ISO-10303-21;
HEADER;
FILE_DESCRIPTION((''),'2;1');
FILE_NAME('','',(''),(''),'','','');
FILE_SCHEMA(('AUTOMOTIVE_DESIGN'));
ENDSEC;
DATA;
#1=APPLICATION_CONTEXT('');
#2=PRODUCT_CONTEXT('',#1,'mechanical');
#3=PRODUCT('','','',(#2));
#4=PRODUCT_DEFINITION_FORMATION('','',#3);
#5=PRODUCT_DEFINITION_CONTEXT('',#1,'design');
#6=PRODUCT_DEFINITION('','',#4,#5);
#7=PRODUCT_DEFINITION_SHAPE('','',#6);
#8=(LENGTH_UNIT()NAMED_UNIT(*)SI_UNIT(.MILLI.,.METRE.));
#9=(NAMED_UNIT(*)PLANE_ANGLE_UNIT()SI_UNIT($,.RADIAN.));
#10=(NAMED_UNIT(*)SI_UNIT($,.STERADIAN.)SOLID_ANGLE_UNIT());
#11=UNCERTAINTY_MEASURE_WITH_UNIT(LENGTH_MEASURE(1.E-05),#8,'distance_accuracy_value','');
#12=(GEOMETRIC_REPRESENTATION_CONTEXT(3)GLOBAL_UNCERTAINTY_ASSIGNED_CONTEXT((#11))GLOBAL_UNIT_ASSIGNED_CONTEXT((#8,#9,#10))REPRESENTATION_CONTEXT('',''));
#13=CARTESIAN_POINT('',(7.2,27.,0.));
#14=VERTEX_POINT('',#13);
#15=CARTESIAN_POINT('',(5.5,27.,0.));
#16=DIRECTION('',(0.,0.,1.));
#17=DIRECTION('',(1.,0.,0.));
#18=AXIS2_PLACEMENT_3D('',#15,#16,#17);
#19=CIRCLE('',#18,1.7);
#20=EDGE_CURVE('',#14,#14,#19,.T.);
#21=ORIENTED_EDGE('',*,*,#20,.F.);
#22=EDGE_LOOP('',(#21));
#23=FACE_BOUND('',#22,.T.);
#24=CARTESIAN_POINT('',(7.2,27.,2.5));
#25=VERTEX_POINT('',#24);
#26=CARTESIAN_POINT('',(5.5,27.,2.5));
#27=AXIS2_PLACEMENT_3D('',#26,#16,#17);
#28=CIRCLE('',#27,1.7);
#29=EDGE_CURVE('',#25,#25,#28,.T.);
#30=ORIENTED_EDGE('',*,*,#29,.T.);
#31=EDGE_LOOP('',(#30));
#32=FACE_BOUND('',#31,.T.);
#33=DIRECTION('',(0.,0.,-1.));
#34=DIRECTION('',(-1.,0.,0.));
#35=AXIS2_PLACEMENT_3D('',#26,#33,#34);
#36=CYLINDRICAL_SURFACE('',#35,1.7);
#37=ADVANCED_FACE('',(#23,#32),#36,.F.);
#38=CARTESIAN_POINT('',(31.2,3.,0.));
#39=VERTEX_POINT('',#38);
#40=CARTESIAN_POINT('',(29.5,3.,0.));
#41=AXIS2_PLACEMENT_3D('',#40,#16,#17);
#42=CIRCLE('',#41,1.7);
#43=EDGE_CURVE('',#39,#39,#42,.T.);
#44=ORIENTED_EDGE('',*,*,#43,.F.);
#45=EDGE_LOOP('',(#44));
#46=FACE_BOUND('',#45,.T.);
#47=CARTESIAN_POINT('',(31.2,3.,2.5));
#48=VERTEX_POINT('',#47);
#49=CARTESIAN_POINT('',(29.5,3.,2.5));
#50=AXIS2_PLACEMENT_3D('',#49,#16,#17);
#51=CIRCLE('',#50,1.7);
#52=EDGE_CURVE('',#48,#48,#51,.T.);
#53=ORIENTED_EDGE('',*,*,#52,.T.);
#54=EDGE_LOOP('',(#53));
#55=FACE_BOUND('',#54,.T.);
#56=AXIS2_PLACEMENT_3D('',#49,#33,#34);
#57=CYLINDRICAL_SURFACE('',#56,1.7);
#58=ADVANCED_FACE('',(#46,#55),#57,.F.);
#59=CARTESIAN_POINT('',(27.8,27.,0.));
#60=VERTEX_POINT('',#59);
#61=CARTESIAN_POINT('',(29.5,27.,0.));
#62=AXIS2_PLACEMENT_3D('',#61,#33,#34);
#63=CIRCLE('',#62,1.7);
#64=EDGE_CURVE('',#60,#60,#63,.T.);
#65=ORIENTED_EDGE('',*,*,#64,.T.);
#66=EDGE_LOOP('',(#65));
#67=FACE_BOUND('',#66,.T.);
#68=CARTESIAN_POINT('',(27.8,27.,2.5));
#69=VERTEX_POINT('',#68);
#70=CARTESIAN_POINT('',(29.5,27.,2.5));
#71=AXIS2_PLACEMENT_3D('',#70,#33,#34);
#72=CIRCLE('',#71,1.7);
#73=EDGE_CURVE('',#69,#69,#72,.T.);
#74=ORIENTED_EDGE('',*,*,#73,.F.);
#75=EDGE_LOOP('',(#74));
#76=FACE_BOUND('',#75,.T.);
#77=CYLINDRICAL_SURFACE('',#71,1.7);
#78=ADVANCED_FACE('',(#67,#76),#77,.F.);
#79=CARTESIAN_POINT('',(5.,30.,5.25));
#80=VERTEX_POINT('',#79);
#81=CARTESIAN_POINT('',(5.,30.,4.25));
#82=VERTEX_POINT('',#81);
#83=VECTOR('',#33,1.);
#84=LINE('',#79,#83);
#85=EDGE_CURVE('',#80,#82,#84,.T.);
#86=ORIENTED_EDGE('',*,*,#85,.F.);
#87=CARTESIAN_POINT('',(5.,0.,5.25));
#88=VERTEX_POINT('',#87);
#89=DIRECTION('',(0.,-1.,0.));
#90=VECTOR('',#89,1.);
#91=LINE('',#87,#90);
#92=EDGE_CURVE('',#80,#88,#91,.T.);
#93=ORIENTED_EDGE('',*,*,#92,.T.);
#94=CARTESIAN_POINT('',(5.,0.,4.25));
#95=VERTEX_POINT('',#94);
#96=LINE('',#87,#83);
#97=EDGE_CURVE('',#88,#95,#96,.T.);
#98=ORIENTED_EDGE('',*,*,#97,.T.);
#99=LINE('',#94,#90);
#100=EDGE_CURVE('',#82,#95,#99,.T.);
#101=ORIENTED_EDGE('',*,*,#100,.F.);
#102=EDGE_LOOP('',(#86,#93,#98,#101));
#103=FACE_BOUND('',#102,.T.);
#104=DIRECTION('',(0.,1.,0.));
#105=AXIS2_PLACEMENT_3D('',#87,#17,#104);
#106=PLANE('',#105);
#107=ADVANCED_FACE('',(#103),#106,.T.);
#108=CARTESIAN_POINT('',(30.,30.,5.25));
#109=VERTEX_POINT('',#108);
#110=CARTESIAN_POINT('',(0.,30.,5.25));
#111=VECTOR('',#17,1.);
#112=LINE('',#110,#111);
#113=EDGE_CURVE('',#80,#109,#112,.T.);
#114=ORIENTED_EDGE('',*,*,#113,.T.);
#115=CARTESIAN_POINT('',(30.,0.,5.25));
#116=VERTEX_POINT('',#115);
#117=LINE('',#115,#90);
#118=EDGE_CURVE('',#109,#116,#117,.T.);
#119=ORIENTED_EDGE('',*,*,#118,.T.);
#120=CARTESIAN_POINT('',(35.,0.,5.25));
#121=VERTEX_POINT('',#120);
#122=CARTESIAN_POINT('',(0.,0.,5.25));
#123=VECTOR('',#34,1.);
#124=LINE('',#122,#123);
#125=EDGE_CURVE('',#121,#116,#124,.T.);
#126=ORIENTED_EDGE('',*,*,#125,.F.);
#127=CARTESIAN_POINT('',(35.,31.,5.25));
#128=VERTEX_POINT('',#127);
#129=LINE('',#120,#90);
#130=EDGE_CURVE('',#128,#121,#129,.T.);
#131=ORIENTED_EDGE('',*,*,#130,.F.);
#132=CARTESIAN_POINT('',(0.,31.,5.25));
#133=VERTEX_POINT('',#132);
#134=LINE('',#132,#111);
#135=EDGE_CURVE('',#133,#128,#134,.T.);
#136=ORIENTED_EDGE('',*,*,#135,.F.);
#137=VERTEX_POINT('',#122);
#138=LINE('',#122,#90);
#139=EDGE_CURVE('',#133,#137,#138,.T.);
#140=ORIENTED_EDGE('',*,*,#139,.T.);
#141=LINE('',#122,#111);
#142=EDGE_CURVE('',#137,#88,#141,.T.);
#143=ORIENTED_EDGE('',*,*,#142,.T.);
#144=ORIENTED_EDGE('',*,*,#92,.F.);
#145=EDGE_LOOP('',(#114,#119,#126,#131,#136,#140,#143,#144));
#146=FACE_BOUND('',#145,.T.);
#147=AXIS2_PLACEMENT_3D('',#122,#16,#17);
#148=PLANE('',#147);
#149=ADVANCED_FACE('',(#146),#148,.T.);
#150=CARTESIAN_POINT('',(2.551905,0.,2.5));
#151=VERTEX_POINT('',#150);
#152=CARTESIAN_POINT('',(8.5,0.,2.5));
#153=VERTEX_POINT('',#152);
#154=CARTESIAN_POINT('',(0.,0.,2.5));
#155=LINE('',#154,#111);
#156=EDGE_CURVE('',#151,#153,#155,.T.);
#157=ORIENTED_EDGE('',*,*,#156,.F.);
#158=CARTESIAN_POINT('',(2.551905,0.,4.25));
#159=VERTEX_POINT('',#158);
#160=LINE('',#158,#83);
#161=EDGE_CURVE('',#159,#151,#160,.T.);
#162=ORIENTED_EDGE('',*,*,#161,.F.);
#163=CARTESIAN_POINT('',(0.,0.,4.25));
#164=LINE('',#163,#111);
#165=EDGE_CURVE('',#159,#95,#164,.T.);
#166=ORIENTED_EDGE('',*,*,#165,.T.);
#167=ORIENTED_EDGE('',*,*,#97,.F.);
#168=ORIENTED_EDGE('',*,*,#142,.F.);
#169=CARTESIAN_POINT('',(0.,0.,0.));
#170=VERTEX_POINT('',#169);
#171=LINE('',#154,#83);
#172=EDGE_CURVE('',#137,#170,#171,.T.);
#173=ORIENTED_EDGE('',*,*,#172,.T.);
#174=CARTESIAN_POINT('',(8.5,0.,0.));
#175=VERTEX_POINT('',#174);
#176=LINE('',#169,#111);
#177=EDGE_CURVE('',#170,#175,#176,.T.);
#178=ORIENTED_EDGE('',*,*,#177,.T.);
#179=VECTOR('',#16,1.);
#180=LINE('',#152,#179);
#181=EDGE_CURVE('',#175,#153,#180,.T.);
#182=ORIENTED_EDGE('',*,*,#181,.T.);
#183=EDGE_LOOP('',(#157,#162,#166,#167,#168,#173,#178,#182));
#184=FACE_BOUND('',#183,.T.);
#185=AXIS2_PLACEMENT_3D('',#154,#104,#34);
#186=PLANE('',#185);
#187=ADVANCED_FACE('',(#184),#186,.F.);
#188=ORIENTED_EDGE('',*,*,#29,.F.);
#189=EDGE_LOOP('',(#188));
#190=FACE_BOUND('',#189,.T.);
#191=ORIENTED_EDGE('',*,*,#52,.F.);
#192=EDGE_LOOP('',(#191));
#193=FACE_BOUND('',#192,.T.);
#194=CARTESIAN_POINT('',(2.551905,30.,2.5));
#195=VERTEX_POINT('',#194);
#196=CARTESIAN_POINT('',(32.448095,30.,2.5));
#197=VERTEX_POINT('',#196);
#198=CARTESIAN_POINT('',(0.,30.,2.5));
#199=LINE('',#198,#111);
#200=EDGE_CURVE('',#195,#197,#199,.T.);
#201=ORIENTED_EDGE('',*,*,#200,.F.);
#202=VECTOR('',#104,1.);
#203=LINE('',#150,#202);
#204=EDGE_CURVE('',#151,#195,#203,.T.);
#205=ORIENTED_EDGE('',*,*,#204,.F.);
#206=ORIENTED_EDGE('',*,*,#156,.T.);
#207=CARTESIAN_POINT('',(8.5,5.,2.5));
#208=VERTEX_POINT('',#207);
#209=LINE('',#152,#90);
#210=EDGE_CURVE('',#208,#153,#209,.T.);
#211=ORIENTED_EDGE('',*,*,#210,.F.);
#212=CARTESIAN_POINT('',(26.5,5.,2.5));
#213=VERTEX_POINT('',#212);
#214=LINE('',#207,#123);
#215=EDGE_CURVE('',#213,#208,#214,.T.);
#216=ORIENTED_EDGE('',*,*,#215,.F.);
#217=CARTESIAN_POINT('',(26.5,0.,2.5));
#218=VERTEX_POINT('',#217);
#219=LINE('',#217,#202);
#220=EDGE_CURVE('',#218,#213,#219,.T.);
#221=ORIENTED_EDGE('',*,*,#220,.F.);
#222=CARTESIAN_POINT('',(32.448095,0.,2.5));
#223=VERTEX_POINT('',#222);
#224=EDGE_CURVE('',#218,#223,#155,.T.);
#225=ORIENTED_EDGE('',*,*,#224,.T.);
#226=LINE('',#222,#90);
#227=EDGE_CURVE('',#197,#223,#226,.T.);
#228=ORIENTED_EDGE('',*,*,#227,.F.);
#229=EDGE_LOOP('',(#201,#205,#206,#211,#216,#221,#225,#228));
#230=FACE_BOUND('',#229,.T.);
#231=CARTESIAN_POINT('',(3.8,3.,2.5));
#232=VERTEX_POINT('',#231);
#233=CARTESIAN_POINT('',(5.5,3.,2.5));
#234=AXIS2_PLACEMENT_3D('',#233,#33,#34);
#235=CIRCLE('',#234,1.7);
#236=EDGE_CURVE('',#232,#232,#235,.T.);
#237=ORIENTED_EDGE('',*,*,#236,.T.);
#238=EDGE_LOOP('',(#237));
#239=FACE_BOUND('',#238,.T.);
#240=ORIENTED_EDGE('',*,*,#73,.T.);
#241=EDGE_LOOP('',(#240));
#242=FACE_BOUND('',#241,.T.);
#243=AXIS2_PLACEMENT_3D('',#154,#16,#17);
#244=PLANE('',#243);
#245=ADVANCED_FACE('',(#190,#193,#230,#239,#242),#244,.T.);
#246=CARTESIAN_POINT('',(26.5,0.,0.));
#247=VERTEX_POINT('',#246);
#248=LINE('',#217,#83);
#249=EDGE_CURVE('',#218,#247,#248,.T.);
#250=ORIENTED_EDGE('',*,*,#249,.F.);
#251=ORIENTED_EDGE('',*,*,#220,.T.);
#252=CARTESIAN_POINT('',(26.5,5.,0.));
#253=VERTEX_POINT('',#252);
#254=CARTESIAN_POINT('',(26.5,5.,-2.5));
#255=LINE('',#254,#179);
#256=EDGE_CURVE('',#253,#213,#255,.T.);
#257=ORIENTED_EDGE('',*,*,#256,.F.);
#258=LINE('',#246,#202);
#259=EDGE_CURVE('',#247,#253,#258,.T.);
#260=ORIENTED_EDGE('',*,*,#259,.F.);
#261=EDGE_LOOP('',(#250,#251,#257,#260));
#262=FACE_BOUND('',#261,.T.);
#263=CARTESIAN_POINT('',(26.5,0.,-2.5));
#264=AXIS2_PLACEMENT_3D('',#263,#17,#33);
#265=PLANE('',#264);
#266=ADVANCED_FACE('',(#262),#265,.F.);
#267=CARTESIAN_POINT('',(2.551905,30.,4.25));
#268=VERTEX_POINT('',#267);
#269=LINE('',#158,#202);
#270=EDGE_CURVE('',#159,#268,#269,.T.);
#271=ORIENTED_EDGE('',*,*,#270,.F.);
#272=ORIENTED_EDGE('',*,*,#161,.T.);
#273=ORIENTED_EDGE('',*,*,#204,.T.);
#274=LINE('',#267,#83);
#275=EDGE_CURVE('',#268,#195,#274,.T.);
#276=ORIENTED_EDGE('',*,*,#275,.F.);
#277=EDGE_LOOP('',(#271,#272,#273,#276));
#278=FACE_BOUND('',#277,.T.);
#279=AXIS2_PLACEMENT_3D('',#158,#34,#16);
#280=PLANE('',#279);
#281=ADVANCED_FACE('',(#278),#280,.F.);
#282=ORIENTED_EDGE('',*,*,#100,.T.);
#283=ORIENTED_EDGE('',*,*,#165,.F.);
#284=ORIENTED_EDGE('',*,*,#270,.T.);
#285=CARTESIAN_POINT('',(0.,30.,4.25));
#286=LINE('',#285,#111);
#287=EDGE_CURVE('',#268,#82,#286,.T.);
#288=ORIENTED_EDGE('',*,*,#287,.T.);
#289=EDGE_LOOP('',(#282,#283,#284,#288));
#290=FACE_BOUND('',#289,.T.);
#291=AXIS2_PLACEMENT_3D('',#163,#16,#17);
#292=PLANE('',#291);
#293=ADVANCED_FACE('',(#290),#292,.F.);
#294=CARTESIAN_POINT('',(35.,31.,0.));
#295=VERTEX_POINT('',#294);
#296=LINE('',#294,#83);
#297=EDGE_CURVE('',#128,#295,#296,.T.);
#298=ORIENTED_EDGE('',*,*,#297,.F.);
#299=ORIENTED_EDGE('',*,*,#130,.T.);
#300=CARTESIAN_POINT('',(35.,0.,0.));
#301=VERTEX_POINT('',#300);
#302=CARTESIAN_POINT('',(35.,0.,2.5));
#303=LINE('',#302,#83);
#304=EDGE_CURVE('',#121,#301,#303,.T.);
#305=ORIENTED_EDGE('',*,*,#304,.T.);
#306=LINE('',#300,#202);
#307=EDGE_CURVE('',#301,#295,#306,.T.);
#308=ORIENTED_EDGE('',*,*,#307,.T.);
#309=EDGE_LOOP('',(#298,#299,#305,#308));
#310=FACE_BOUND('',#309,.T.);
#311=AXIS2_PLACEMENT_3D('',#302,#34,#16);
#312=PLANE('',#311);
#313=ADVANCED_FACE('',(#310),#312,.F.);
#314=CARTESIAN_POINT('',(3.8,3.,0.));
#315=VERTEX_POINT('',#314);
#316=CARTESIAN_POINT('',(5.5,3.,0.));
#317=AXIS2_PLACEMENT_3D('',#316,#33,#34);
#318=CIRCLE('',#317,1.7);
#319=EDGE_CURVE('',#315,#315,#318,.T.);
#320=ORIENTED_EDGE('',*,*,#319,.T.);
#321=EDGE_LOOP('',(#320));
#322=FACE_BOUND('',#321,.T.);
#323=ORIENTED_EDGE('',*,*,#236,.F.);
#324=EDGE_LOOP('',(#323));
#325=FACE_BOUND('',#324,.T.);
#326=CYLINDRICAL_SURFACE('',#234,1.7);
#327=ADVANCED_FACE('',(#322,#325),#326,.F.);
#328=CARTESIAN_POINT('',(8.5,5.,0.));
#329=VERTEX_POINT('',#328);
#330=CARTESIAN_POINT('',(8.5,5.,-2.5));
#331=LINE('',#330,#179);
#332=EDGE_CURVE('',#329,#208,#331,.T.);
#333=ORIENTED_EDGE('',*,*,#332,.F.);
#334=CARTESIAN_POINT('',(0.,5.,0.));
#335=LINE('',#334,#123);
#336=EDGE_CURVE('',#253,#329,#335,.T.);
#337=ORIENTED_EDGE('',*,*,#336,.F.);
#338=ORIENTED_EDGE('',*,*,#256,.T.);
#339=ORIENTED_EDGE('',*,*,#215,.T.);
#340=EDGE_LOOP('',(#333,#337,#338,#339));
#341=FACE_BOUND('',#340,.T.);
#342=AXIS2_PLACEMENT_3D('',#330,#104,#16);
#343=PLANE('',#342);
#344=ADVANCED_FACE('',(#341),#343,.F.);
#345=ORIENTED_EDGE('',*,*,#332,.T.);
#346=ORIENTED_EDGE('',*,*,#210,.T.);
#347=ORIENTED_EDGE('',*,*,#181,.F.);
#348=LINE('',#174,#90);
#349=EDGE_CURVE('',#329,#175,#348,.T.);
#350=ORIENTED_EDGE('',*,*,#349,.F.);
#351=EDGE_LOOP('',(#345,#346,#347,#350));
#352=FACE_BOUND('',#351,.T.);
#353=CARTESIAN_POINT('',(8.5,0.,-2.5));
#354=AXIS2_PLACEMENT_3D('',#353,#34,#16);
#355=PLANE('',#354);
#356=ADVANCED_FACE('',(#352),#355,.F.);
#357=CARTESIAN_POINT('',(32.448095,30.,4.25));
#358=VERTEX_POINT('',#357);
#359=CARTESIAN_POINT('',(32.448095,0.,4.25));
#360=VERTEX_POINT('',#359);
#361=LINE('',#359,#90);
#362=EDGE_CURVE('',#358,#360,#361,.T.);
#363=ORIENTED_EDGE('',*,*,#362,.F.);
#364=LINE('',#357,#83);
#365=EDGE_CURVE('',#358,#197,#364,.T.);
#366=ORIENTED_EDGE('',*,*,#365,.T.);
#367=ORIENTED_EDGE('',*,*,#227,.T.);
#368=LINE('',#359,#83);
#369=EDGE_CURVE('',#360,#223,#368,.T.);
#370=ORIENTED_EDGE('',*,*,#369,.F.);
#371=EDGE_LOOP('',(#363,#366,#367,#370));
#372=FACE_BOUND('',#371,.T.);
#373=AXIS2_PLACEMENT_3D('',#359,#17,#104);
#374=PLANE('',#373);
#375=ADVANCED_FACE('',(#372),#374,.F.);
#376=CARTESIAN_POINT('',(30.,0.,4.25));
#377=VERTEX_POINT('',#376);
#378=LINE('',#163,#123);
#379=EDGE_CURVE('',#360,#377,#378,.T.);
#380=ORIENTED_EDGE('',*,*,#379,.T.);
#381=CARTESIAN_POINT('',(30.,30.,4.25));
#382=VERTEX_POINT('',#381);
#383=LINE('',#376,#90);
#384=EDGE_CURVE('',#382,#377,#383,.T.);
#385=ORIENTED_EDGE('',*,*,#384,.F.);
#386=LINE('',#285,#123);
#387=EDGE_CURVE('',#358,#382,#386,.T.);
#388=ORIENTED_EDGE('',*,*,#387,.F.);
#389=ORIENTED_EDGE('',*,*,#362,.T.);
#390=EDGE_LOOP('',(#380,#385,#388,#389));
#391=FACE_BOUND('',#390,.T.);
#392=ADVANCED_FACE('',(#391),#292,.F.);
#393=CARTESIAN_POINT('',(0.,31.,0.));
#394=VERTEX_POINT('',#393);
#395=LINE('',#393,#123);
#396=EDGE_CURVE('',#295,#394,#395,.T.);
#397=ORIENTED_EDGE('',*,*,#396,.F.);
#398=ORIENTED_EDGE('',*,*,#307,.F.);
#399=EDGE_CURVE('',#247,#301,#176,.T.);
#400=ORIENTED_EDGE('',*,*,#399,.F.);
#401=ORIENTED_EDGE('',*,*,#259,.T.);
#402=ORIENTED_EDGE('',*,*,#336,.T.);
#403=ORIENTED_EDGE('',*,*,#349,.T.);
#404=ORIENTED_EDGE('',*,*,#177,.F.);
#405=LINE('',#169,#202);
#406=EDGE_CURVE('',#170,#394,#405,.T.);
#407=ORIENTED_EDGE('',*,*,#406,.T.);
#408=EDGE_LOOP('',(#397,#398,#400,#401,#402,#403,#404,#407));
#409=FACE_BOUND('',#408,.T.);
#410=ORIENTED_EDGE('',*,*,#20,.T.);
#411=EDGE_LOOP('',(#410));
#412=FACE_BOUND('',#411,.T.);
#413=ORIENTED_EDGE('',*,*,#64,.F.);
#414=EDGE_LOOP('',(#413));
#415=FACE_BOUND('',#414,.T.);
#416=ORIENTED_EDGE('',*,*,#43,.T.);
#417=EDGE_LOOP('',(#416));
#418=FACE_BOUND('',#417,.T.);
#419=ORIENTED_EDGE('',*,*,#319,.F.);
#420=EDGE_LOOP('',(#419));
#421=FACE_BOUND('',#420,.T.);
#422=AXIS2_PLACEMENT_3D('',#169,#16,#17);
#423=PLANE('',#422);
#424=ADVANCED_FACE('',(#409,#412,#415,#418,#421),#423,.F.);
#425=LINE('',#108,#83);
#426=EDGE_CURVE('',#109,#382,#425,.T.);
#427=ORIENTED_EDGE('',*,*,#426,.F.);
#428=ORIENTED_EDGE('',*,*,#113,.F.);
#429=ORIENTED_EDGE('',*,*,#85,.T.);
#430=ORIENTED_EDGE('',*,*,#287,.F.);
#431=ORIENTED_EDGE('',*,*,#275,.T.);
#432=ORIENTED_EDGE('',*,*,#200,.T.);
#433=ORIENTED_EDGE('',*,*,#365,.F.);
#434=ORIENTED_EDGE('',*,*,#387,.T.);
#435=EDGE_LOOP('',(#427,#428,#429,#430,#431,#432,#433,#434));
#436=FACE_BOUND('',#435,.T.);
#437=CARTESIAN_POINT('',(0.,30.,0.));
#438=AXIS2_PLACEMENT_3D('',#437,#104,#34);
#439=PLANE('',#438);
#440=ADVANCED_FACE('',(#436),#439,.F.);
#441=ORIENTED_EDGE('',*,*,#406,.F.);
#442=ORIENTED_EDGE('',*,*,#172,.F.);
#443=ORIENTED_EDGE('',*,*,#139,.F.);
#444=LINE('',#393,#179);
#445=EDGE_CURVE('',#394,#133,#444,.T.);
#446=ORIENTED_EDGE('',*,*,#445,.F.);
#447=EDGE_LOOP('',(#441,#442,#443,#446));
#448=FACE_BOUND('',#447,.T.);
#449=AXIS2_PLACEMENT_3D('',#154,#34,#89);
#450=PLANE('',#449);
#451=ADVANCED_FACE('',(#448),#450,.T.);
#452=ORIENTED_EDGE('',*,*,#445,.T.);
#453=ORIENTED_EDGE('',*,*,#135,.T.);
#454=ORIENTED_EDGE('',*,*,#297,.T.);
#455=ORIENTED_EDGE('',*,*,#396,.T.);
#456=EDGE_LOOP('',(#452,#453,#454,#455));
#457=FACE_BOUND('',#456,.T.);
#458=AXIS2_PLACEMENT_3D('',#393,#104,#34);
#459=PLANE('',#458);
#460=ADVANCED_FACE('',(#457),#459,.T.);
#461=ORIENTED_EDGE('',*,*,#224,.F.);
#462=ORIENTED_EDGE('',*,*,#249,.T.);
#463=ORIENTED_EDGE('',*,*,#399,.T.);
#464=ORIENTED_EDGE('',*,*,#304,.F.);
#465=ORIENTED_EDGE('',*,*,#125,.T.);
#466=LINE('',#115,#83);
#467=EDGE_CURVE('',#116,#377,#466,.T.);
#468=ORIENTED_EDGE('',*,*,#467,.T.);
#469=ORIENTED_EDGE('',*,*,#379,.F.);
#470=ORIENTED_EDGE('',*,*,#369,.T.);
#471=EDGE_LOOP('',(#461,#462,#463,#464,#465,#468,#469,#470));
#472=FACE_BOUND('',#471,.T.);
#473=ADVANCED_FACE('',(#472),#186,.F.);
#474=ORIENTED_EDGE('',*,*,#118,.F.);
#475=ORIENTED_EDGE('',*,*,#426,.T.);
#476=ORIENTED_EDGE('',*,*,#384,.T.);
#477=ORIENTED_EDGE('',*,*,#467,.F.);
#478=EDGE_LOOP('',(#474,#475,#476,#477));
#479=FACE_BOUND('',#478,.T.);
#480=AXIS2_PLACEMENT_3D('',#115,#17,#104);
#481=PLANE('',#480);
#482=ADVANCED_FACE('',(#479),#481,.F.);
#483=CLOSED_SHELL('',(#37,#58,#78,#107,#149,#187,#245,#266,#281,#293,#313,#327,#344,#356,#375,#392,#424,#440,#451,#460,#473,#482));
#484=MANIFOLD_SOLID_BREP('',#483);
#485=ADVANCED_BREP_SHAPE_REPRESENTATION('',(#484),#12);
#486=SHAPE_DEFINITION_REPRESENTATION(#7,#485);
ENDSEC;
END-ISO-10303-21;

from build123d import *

# Parameters (mm, degrees)
SKETCH1_W           = 35
SKETCH1_H           = 30
SKETCH1_R           = 1.7
BOSS_EXTRUDE1_DEPTH = 2.5
SKETCH3_W           = 18
SKETCH3_H           = 5
CUT_EXTRUDE1_DEPTH  = 5
SKETCH4_W           = 2.551904925
SKETCH4_H           = 30
BOSS_EXTRUDE2_DEPTH = 1.75
SKETCH5_W           = 2.448095075
SKETCH5_H           = 30
SKETCH5_W_2         = 2.551904925
SKETCH5_W_3         = 5
BOSS_EXTRUDE3_DEPTH = 1
SKETCH6_W           = 35
SKETCH6_H           = 5.25
BOSS_EXTRUDE4_DEPTH = 1


with BuildPart() as part:
    # Sketch1 → Boss-Extrude1 (new body)
    with BuildSketch(Plane.XY):
        with Locations((17.5, 15)):
            Rectangle(SKETCH1_W, SKETCH1_H)
        with Locations((5.5, 27)):
            Circle(SKETCH1_R, mode=Mode.SUBTRACT)
        with Locations((29.5, 27)):
            Circle(SKETCH1_R, mode=Mode.SUBTRACT)
        with Locations((29.5, 3)):
            Circle(SKETCH1_R, mode=Mode.SUBTRACT)
        with Locations((5.5, 3)):
            Circle(SKETCH1_R, mode=Mode.SUBTRACT)
    extrude(amount=BOSS_EXTRUDE1_DEPTH)

    # Sketch3 → Cut-Extrude1 (cut)
    with BuildSketch(Plane.XY.offset(2.5)):
        with Locations((17.5, 2.5)):
            Rectangle(SKETCH3_W, SKETCH3_H)
    extrude(amount=-CUT_EXTRUDE1_DEPTH, mode=Mode.SUBTRACT)

    # Sketch4 → Boss-Extrude2 (add)
    with BuildSketch(Plane.XY.offset(2.5)):
        with Locations((1.275952463, 15)):
            Rectangle(SKETCH4_W, SKETCH4_H)
        with Locations((33.724047537, 15)):
            Rectangle(SKETCH4_W, SKETCH4_H)
    extrude(amount=BOSS_EXTRUDE2_DEPTH)

    # Sketch5 → Boss-Extrude3 (add)
    with BuildSketch(Plane.XY.offset(4.25)):
        with Locations((3.775952463, 15)):
            Rectangle(SKETCH5_W, SKETCH5_H)
        with Locations((1.275952463, 15)):
            Rectangle(SKETCH5_W_2, SKETCH5_H)
        with Locations((32.5, 15)):
            Rectangle(SKETCH5_W_3, SKETCH5_H)
    extrude(amount=BOSS_EXTRUDE3_DEPTH)

    # Sketch6 → Boss-Extrude4 (add)
    with BuildSketch(Plane(origin=(0, 30, 0), x_dir=(1, 0, 0), z_dir=(0, 1, 0))):
        with Locations((17.5, -2.625)):
            Rectangle(SKETCH6_W, SKETCH6_H)
    extrude(amount=BOSS_EXTRUDE4_DEPTH)


solid = part.part
